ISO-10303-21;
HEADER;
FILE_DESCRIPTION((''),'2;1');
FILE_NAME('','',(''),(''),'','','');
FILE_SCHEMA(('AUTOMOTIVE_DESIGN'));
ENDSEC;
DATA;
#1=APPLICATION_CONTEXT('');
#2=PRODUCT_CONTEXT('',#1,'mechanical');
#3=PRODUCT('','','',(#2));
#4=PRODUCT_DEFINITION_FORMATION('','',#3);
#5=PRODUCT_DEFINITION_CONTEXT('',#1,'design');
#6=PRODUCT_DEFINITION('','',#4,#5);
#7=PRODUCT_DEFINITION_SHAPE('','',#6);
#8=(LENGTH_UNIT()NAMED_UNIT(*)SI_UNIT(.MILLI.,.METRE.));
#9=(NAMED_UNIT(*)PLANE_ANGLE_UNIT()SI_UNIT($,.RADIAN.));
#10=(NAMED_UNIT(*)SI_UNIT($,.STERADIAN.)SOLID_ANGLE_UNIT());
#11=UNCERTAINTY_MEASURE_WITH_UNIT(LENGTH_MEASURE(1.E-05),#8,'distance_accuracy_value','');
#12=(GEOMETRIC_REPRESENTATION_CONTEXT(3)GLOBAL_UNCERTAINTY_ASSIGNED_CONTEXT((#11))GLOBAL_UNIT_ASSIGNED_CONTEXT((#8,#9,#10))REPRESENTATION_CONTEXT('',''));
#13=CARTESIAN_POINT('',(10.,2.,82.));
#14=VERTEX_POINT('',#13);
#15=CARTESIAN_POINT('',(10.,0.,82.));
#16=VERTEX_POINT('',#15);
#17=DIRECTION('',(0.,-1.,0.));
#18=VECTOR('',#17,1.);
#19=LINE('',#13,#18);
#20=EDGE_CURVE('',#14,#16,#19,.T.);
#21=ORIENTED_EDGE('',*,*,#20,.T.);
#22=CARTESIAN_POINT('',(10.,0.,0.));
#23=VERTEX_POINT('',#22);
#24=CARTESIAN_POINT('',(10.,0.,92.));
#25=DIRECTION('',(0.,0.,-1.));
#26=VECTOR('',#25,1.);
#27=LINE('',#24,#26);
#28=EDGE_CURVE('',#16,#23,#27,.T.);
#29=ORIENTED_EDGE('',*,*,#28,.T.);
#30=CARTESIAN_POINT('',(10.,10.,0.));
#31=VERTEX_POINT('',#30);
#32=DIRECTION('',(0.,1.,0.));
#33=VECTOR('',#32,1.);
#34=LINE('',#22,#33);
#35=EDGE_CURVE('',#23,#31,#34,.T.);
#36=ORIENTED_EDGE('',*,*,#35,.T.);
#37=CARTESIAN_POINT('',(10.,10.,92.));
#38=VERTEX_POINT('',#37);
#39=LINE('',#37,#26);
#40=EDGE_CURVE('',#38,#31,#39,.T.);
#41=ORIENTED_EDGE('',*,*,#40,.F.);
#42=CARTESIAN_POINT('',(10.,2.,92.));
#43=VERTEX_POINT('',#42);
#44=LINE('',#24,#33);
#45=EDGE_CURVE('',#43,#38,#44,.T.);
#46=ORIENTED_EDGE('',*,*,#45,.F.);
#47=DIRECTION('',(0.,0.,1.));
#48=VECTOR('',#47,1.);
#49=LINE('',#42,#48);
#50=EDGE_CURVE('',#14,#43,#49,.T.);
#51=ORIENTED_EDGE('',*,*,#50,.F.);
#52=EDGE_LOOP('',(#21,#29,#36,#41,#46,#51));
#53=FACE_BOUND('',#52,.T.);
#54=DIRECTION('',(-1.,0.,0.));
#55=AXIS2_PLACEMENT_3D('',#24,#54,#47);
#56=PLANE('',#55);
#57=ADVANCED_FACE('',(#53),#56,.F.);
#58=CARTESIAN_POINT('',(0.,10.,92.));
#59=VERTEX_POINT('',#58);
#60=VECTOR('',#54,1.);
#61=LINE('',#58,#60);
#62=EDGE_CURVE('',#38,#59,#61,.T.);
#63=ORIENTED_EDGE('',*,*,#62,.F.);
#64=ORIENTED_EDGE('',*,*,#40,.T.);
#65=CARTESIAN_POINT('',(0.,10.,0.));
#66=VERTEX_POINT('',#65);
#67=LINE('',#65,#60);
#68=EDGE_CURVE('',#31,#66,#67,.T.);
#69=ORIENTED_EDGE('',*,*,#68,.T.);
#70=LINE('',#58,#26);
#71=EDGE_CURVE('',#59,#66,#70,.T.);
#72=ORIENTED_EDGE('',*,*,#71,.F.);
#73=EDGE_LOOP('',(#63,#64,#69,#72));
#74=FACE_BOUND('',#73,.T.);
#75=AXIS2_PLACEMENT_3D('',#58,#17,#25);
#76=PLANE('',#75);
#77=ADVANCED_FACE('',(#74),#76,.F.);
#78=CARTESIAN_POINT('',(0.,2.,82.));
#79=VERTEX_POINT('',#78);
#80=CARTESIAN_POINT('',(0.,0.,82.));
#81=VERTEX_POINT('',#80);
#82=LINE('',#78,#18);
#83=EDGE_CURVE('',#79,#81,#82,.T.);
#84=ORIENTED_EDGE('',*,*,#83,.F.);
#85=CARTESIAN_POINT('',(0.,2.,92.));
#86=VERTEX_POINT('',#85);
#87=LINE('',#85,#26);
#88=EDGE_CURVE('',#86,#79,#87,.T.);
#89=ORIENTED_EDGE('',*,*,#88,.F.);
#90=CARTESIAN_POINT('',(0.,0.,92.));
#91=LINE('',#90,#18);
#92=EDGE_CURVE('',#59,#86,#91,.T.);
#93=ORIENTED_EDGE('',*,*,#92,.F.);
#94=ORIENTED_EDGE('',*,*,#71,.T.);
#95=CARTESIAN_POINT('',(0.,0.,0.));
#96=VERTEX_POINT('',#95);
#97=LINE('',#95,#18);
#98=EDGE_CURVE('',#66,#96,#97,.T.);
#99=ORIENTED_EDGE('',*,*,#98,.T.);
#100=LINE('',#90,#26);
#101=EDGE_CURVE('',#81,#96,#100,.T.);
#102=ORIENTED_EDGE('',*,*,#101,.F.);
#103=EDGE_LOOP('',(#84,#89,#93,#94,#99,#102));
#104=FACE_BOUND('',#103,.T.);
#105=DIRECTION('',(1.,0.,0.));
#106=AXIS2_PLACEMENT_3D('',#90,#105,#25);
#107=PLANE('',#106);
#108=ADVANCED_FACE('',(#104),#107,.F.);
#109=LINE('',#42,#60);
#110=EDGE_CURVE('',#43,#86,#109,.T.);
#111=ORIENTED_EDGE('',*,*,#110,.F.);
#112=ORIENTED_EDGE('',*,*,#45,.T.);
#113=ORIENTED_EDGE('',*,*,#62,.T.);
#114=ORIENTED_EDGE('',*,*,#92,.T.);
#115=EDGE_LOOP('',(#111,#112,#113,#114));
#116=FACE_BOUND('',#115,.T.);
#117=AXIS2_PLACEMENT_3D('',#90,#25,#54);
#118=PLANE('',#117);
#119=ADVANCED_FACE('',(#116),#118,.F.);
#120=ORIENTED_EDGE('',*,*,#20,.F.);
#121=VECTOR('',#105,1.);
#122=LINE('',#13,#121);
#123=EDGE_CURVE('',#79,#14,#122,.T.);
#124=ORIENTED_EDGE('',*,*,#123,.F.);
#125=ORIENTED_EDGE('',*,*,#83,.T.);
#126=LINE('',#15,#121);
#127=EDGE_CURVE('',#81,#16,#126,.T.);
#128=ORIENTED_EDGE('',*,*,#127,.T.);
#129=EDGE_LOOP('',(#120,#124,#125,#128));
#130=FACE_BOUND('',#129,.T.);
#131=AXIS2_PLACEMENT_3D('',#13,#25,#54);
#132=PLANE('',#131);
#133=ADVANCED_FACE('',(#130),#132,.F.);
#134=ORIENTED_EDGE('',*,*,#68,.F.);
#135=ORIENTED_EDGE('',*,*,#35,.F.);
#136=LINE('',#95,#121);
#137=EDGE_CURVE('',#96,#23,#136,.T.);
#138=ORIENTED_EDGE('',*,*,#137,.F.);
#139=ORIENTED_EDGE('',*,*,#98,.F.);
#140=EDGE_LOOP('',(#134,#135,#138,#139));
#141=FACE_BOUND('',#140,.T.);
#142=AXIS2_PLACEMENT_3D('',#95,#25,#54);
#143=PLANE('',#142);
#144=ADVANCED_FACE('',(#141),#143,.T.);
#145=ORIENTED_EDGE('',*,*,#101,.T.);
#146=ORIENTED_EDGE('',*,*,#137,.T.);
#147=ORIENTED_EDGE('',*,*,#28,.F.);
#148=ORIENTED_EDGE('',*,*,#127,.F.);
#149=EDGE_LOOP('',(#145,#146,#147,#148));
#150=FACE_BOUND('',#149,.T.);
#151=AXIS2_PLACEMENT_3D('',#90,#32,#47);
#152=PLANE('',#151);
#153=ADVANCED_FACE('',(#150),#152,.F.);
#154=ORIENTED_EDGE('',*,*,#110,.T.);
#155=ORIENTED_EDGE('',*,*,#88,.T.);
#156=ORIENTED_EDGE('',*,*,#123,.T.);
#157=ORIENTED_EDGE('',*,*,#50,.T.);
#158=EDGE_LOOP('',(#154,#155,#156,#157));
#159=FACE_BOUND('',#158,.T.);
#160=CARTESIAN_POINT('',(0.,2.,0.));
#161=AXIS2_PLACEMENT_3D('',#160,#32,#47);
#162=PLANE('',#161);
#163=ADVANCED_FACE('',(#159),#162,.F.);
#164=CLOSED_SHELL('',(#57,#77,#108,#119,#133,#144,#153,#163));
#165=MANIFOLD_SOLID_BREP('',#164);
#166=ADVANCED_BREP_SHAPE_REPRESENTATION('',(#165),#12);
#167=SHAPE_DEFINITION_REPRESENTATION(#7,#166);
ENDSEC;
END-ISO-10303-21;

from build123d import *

# Parameters (mm, degrees)
ESQUISSE1_W             = 10
ESQUISSE1_H             = 10
BOSS_EXTRU_1_DEPTH      = 92
ESQUISSE2_W             = 10
ESQUISSE2_H             = 10
ENL_V_MAT_EXTRU_1_DEPTH = 2


with BuildPart() as part:
    # Esquisse1 → Boss.-Extru.1 (new body)
    with BuildSketch(Plane.XY):
        with Locations((5, 5)):
            Rectangle(ESQUISSE1_W, ESQUISSE1_H)
    extrude(amount=BOSS_EXTRU_1_DEPTH)

    # Esquisse2 → Enlèv. mat.-Extru.1 (cut)
    with BuildSketch(Plane.XZ):
        with Locations((5, 87)):
            Rectangle(ESQUISSE2_W, ESQUISSE2_H)
    extrude(amount=-ENL_V_MAT_EXTRU_1_DEPTH, mode=Mode.SUBTRACT)


solid = part.part
